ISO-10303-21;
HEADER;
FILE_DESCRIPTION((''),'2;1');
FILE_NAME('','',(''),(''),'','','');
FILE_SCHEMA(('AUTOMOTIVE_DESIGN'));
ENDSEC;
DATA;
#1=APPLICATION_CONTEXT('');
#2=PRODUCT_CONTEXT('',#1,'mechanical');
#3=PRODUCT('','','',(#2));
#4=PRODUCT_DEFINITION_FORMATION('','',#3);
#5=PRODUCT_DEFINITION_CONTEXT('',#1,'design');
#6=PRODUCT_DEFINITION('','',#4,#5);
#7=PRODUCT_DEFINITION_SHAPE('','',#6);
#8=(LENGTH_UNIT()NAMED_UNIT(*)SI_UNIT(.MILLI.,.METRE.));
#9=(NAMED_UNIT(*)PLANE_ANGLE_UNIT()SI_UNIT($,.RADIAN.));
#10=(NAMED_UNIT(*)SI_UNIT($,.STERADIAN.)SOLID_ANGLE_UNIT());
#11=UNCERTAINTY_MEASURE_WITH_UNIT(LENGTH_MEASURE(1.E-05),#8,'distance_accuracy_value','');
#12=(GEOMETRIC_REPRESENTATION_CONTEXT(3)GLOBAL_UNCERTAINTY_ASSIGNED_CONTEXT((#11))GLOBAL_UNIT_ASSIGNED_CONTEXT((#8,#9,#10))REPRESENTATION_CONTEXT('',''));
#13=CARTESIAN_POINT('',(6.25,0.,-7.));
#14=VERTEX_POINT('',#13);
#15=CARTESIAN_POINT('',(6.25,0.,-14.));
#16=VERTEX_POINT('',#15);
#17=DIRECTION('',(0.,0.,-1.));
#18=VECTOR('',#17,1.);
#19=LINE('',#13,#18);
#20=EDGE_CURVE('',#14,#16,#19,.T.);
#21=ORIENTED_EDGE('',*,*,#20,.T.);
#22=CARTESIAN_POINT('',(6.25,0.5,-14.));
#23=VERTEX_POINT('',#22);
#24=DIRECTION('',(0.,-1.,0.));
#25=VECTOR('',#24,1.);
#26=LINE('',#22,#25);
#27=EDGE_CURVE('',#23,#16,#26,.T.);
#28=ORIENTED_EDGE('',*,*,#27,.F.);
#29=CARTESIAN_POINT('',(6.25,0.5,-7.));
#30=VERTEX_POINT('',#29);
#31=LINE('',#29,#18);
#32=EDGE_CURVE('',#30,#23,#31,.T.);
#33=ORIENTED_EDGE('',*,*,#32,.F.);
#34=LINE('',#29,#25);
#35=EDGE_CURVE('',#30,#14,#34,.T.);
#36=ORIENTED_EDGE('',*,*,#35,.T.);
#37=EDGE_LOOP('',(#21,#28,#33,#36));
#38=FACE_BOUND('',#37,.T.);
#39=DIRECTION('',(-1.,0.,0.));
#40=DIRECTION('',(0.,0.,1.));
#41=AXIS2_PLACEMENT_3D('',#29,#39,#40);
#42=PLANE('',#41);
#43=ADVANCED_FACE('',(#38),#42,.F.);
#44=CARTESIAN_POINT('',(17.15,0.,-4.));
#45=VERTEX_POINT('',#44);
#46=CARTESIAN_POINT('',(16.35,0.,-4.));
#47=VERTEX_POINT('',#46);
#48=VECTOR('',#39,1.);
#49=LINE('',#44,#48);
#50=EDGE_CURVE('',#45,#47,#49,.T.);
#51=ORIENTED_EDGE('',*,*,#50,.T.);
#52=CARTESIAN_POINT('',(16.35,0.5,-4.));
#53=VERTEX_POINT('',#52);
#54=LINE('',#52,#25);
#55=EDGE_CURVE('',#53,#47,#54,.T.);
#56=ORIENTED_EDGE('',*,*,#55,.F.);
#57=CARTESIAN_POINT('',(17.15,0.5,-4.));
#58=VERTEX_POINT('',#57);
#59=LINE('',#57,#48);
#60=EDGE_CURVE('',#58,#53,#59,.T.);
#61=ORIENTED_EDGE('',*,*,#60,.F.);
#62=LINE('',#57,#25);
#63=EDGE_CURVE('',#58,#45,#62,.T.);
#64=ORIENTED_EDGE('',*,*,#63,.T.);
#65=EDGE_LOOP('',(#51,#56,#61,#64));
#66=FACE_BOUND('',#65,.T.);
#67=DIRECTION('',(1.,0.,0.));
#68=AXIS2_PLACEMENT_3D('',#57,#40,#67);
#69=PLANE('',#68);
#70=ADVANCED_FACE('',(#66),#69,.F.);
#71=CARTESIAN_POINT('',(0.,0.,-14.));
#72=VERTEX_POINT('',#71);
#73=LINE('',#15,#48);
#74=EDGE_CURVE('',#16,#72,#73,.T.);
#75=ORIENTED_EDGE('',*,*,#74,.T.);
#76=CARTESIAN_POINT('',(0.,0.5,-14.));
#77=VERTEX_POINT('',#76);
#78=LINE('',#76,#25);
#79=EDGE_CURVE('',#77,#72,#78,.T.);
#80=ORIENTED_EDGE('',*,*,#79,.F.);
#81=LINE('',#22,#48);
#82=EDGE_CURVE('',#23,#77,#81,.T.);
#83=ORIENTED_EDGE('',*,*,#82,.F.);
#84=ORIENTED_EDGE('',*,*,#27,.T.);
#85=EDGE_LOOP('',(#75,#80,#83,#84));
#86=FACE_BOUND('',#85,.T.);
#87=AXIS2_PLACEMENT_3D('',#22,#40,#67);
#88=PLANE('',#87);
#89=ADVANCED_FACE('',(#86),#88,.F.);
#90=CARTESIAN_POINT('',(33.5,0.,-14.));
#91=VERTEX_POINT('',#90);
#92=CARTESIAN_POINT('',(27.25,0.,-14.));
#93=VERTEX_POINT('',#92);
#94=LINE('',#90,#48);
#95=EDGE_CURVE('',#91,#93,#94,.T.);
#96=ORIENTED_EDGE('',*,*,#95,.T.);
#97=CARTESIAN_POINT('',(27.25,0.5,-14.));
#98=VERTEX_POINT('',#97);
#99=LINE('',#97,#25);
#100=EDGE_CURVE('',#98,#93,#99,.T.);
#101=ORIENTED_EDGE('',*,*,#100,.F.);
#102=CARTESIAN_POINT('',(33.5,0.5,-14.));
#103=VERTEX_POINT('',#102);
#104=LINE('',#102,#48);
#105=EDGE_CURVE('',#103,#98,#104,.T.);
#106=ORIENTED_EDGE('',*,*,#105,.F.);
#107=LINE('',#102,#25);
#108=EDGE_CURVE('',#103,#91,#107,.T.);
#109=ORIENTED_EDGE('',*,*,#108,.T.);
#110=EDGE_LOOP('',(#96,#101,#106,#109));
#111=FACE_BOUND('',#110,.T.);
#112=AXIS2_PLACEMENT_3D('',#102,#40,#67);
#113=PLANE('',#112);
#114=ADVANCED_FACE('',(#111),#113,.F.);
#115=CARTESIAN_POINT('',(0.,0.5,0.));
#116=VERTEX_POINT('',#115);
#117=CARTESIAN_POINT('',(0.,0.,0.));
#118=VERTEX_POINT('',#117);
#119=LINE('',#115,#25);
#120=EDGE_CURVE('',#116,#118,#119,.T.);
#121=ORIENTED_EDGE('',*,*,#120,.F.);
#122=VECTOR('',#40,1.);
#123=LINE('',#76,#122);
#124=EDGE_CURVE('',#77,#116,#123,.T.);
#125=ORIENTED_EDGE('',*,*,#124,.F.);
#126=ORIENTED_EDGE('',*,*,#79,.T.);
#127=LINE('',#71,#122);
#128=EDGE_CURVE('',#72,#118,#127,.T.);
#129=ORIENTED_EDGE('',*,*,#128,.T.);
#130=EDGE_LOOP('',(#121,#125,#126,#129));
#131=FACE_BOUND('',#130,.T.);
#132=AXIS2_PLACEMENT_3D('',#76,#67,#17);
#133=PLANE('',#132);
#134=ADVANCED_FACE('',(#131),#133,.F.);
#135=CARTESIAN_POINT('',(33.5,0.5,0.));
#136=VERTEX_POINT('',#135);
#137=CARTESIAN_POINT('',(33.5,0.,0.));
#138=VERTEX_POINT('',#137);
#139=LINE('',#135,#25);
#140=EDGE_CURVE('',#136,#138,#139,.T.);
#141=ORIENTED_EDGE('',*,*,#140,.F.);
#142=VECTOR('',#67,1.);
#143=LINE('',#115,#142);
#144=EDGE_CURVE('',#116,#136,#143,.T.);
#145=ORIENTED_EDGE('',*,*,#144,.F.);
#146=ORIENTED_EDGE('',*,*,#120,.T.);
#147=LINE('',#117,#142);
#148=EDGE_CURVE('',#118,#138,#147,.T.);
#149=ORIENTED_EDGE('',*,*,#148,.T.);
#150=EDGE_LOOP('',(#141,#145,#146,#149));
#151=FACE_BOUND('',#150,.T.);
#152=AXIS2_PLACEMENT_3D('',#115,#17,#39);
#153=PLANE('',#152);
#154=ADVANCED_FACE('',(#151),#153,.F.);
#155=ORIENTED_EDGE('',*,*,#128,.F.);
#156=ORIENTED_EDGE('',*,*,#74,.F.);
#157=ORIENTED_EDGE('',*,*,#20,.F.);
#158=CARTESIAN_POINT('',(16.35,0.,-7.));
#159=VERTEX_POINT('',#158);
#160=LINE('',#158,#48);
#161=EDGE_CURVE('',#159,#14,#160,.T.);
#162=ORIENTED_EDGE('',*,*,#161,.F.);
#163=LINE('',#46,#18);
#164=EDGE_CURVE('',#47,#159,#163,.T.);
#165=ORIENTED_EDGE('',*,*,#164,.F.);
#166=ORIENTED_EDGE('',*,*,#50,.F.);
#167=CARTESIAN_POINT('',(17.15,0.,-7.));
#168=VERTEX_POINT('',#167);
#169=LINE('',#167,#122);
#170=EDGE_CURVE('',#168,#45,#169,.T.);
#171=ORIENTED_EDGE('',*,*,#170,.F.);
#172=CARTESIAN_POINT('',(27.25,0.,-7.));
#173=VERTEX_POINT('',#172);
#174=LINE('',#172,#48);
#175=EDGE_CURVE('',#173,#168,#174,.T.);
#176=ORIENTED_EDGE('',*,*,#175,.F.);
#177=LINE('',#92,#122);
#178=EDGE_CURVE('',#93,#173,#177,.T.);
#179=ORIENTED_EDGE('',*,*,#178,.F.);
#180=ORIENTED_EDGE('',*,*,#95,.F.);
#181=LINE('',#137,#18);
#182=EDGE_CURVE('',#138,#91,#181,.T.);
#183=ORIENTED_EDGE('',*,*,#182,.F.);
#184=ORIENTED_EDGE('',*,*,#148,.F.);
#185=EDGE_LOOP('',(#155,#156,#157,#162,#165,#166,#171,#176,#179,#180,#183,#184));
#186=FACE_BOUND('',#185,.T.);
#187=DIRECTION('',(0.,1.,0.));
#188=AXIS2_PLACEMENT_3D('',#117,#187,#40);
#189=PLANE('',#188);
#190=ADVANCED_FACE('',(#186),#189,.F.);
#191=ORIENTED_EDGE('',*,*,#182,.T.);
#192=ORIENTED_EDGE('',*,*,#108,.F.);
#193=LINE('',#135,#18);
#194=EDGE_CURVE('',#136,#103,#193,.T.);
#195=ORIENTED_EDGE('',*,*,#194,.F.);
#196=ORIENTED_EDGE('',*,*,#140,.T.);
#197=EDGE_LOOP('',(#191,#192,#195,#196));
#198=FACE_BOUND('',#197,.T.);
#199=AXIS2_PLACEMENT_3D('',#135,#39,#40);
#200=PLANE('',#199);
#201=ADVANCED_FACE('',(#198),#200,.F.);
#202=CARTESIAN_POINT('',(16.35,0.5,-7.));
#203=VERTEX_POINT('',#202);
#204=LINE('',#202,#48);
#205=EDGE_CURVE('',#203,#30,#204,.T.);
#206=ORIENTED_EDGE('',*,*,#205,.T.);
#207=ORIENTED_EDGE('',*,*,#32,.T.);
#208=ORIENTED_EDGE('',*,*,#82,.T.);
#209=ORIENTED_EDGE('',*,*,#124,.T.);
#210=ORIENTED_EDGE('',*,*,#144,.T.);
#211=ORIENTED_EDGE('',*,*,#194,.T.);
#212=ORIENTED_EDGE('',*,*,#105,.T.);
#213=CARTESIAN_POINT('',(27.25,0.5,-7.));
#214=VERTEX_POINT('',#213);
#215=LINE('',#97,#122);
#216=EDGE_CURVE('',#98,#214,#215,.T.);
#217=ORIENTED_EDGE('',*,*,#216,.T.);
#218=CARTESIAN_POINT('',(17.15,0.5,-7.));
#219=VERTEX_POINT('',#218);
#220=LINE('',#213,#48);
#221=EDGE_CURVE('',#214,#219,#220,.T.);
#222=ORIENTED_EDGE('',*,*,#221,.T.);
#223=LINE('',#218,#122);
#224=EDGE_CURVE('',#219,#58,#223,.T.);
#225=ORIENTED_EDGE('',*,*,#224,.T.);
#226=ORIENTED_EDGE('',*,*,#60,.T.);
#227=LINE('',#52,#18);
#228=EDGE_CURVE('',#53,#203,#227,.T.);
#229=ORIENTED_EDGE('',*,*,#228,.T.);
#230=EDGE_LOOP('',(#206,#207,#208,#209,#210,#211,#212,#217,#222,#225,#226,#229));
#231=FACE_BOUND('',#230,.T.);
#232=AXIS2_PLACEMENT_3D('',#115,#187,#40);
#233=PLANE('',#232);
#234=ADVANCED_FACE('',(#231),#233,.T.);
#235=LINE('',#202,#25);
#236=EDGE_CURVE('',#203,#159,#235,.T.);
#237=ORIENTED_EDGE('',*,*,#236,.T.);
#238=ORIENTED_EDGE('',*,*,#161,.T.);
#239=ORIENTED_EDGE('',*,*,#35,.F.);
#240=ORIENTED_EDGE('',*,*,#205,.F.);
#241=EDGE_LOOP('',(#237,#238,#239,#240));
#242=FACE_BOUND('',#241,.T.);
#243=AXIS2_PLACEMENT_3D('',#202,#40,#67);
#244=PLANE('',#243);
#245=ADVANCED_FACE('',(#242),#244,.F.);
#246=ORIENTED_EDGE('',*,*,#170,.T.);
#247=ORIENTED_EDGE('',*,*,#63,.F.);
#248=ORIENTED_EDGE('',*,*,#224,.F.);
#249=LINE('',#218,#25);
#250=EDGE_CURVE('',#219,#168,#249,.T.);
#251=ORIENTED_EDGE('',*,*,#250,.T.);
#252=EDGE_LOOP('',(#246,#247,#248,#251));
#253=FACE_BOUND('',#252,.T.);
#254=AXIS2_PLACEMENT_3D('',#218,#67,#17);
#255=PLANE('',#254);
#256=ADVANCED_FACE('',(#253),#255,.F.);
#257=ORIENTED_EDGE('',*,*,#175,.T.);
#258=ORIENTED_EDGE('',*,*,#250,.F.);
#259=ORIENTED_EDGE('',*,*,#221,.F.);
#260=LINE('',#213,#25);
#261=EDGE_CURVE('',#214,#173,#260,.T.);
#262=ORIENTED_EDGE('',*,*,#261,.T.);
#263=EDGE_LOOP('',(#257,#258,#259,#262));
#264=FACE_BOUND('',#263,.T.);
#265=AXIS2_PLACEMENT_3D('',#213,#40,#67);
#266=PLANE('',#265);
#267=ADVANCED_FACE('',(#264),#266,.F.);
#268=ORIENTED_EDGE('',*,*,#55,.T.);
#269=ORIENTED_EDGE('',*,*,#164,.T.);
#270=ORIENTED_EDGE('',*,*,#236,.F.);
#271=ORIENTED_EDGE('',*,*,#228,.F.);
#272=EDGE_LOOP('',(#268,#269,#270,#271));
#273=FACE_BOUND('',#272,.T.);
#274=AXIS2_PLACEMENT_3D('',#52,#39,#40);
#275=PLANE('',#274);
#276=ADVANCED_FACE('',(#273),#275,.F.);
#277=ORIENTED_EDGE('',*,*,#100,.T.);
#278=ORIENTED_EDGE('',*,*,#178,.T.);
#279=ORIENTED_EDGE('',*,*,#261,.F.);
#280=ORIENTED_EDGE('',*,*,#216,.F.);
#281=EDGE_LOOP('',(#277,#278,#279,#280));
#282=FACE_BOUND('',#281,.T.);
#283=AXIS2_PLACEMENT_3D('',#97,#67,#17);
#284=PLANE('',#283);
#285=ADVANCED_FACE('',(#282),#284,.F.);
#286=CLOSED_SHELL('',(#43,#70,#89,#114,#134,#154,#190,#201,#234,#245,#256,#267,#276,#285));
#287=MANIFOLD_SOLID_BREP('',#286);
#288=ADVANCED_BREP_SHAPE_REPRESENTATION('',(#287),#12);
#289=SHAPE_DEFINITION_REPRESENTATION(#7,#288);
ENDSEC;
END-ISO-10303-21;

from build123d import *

# Parameters (mm, degrees)
SALIENTE_EXTRUIR1_DEPTH = 0.5


with BuildPart() as part:
    # Croquis1 → Saliente-Extruir1 (new body)
    with BuildSketch(Plane(origin=(0, 0, 0), x_dir=(1, 0, 0), z_dir=(0, 1, 0))):
        Polygon((0, 0), (33.5, 0), (33.5, 14), (27.25, 14), (27.25, 7), (17.15, 7), (17.15, 4), (16.35, 4), (16.35, 7), (6.25, 7), (6.25, 14), (0, 14), align=None)
    extrude(amount=SALIENTE_EXTRUIR1_DEPTH)


solid = part.part
